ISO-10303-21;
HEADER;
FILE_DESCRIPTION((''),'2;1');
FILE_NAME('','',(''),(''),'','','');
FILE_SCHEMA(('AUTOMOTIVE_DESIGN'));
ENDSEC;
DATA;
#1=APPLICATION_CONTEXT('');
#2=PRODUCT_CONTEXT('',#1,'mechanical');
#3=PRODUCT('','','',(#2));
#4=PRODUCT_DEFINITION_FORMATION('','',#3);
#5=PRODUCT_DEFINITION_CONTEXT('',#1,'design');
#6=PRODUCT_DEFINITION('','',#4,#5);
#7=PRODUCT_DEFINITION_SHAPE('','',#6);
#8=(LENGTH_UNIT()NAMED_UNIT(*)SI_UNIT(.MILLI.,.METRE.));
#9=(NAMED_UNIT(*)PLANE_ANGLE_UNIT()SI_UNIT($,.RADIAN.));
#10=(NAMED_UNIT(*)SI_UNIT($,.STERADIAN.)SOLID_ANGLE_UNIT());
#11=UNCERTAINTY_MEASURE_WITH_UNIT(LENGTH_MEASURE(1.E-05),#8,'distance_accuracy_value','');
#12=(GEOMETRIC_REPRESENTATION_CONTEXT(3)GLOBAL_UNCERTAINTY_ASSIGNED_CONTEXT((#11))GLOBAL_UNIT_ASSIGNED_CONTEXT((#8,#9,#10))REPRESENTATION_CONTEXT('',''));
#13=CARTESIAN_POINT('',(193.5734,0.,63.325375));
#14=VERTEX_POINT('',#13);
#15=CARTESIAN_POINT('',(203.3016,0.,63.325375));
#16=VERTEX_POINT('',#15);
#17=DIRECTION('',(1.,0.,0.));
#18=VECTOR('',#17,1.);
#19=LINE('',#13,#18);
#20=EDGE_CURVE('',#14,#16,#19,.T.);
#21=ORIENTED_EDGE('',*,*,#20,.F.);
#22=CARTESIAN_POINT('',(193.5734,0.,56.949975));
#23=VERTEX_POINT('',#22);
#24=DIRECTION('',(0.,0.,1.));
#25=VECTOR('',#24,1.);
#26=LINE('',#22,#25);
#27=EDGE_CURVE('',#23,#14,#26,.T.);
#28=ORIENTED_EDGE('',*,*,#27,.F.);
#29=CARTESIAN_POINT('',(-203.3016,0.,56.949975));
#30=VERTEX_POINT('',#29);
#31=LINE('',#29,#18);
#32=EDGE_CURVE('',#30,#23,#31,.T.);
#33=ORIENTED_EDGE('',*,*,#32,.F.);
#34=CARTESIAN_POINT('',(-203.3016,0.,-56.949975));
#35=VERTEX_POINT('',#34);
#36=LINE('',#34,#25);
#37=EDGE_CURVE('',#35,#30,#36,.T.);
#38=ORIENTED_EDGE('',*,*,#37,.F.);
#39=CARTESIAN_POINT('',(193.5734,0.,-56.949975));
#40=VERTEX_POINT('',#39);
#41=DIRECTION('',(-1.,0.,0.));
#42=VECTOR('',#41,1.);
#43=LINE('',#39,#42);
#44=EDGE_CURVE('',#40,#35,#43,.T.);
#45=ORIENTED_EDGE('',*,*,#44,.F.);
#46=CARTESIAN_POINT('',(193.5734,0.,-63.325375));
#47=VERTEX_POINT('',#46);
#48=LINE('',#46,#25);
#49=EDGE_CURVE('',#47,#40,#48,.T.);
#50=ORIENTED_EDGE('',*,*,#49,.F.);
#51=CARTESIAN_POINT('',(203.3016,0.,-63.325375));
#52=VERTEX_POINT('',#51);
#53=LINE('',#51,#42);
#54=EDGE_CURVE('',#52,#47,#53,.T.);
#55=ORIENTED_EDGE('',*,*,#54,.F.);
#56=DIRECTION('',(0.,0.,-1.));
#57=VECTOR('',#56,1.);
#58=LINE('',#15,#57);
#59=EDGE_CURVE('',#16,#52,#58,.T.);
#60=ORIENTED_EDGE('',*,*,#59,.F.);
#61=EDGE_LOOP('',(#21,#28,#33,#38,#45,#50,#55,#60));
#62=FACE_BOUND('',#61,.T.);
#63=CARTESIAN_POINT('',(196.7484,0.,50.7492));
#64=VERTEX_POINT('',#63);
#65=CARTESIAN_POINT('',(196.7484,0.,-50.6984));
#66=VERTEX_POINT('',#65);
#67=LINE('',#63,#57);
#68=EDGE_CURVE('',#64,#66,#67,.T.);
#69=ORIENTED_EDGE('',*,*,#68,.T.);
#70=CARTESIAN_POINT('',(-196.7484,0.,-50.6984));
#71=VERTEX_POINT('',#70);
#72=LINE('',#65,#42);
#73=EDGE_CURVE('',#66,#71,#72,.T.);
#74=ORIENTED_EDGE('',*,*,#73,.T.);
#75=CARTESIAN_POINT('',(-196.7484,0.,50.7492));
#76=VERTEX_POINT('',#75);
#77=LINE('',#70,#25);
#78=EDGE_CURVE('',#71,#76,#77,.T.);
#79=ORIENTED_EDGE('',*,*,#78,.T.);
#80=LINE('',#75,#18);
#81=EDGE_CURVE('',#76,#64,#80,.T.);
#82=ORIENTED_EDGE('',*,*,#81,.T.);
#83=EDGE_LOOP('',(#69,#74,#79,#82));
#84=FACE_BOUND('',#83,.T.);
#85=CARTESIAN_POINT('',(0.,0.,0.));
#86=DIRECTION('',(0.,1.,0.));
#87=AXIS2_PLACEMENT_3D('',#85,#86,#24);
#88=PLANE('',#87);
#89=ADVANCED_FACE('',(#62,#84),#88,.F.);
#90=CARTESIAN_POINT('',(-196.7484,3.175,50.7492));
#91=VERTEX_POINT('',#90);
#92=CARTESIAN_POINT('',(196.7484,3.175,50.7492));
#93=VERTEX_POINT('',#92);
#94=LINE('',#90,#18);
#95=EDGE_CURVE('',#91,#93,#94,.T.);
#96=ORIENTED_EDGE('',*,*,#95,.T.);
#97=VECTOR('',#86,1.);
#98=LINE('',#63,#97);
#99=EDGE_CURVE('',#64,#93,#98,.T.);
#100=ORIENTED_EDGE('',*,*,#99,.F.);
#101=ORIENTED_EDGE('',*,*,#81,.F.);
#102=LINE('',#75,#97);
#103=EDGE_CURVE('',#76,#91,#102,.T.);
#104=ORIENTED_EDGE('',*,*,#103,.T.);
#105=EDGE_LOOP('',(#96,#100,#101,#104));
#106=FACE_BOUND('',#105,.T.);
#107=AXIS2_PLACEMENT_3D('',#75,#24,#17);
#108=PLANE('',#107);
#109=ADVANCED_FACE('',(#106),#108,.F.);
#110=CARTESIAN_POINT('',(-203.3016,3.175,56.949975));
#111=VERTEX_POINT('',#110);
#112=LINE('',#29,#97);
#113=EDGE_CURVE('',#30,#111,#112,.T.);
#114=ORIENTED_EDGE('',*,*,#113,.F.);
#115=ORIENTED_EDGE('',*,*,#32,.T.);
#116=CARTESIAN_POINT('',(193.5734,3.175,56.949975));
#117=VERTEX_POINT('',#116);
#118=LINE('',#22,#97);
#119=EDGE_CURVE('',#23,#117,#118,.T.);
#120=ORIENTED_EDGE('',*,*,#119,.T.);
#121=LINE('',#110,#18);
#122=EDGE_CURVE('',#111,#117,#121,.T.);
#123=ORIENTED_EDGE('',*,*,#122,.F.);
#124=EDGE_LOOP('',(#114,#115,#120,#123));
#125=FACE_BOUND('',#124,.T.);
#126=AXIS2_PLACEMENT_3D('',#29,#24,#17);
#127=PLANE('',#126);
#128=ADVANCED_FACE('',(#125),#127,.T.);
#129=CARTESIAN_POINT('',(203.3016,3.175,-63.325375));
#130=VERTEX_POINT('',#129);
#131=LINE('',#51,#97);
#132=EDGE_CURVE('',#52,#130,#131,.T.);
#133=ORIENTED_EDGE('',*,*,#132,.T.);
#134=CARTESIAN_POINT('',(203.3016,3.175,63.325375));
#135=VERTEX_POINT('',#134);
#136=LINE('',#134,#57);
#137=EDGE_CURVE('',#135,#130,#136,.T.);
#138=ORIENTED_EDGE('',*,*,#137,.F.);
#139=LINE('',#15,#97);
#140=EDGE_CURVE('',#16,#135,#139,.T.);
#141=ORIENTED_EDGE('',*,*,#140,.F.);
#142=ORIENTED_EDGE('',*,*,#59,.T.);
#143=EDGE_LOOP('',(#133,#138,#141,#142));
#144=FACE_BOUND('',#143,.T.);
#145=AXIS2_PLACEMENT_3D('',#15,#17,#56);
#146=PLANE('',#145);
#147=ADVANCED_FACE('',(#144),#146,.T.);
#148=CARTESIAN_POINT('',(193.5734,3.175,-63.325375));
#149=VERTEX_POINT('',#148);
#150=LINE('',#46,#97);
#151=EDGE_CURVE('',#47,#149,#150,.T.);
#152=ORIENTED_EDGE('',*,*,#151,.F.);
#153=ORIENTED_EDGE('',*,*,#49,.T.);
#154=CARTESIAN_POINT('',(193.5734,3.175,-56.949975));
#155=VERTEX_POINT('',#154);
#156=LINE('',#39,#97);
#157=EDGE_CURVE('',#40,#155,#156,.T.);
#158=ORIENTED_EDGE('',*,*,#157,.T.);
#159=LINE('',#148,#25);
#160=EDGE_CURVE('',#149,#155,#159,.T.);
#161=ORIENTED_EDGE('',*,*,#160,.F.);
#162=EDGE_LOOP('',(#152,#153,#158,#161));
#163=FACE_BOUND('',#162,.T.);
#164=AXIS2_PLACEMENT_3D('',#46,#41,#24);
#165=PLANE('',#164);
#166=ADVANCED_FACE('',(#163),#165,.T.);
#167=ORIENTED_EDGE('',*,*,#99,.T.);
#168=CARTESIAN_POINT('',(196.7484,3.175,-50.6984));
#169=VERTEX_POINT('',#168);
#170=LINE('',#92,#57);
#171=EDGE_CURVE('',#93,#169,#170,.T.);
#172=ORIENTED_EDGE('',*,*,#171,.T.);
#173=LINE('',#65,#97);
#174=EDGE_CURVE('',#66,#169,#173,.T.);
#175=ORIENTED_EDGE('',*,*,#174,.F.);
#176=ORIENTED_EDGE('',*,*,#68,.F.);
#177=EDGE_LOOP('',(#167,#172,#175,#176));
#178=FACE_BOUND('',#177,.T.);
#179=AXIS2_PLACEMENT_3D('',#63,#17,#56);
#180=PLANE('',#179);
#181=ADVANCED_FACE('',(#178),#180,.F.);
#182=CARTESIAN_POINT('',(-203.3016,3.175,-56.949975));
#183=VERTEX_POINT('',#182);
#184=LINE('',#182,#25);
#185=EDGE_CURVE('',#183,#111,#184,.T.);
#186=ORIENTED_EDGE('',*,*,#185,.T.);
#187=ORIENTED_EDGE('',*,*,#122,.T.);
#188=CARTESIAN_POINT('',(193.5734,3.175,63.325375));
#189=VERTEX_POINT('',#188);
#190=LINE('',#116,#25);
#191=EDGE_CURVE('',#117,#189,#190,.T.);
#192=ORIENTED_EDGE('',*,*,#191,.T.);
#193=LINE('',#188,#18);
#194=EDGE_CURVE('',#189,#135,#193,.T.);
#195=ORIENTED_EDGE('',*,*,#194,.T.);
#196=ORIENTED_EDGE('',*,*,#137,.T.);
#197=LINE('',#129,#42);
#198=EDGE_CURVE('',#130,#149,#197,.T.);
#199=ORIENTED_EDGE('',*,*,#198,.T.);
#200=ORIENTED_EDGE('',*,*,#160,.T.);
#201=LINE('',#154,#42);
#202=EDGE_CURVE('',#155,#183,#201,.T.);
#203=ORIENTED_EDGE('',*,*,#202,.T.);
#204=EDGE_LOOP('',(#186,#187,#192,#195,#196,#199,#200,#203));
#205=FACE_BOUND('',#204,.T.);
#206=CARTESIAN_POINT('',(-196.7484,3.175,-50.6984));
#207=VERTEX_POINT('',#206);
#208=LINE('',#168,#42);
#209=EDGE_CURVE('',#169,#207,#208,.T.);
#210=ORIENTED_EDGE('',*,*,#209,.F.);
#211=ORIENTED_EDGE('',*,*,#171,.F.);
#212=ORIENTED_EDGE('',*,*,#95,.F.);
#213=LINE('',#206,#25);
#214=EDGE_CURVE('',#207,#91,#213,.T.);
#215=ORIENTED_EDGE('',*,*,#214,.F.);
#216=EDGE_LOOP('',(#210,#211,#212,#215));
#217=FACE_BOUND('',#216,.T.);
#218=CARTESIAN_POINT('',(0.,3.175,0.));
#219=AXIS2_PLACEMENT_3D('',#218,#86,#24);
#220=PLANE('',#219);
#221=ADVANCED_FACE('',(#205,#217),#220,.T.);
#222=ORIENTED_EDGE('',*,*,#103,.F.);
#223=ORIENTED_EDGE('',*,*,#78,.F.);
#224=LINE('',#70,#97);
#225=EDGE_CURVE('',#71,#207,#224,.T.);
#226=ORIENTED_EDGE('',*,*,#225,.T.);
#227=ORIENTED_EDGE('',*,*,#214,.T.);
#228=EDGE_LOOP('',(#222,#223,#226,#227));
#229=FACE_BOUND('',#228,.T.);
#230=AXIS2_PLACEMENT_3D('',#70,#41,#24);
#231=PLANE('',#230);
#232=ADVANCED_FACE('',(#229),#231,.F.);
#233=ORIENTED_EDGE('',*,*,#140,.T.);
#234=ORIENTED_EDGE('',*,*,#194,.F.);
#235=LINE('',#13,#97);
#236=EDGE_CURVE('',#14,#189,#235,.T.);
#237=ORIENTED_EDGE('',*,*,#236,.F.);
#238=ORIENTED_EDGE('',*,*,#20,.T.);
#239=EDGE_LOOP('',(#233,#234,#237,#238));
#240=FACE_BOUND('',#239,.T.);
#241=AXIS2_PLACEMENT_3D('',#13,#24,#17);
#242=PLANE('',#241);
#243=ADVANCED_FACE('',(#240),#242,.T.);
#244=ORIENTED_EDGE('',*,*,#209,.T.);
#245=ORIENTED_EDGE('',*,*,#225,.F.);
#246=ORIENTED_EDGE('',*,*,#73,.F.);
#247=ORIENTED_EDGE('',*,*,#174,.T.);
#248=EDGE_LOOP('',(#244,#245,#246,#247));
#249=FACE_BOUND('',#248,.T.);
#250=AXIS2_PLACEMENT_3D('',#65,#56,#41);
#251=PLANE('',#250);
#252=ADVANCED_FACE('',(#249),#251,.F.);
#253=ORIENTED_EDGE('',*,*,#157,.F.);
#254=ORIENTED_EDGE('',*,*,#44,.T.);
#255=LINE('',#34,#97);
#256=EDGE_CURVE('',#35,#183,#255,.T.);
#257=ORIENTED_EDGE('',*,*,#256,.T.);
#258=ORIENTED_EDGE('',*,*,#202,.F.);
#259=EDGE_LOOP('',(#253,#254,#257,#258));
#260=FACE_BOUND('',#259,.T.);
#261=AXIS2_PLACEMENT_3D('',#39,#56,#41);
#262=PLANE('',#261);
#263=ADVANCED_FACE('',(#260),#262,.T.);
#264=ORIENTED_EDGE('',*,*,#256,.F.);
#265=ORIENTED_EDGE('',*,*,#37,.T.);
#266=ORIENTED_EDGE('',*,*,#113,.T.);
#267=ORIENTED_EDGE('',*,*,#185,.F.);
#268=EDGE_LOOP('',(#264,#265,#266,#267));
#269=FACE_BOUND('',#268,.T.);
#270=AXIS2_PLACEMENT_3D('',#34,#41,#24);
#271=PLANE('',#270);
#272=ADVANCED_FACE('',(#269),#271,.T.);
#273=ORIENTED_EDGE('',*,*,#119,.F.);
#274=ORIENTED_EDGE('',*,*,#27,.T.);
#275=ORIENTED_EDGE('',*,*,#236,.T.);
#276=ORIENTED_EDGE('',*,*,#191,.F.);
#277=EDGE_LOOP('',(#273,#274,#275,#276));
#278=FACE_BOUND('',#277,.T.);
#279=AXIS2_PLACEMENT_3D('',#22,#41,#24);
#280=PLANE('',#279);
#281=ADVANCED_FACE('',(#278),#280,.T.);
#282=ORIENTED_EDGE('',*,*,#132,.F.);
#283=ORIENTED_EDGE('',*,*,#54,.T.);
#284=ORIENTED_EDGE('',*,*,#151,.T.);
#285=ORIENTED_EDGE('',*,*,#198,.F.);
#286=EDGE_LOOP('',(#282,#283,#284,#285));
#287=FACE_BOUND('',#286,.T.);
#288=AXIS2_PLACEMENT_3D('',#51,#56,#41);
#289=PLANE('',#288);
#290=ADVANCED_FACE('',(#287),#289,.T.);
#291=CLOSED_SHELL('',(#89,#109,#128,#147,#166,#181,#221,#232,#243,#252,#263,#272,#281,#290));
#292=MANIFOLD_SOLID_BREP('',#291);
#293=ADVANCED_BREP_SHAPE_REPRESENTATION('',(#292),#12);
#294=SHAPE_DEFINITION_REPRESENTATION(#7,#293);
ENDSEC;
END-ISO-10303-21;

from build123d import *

# Parameters (mm, degrees)
SKETCH1_W           = 393.7
SKETCH1_H           = 101.6508
BOSS_EXTRUDE1_DEPTH = 3.175
SKETCH2_W           = 393.4968
SKETCH2_H           = 101.4476
BOSS_EXTRUDE2_DEPTH = 3.175


with BuildPart() as part:
    # Sketch1 → Boss-Extrude1 (new body)
    with BuildSketch(Plane(origin=(0, 0, 0), x_dir=(1, 0, 0), z_dir=(0, 1, 0))):
        Polygon((193.675, -56.848375), (193.675, -63.223775), (203.2, -63.223775), (203.2, 63.223775), (193.675, 63.223775), (193.675, 56.848375), (-203.2, 56.848375), (-203.2, -56.848375), align=None)
        with Locations((0, -0.0254)):
            Rectangle(SKETCH1_W, SKETCH1_H, mode=Mode.SUBTRACT)
    extrude(amount=BOSS_EXTRUDE1_DEPTH)

    # Sketch2 → Boss-Extrude2 (add)
    with BuildSketch(Plane(origin=(0, 3.175, 0), x_dir=(1, 0, 0), z_dir=(0, 1, 0))):
        Polygon((193.5734, -56.949975), (193.5734, -63.325375), (203.3016, -63.325375), (203.3016, 63.325375), (193.5734, 63.325375), (193.5734, 56.949975), (-203.3016, 56.949975), (-203.3016, -56.949975), align=None)
        with Locations((0, -0.0254)):
            Rectangle(SKETCH2_W, SKETCH2_H, mode=Mode.SUBTRACT)
    extrude(amount=-BOSS_EXTRUDE2_DEPTH)


solid = part.part
